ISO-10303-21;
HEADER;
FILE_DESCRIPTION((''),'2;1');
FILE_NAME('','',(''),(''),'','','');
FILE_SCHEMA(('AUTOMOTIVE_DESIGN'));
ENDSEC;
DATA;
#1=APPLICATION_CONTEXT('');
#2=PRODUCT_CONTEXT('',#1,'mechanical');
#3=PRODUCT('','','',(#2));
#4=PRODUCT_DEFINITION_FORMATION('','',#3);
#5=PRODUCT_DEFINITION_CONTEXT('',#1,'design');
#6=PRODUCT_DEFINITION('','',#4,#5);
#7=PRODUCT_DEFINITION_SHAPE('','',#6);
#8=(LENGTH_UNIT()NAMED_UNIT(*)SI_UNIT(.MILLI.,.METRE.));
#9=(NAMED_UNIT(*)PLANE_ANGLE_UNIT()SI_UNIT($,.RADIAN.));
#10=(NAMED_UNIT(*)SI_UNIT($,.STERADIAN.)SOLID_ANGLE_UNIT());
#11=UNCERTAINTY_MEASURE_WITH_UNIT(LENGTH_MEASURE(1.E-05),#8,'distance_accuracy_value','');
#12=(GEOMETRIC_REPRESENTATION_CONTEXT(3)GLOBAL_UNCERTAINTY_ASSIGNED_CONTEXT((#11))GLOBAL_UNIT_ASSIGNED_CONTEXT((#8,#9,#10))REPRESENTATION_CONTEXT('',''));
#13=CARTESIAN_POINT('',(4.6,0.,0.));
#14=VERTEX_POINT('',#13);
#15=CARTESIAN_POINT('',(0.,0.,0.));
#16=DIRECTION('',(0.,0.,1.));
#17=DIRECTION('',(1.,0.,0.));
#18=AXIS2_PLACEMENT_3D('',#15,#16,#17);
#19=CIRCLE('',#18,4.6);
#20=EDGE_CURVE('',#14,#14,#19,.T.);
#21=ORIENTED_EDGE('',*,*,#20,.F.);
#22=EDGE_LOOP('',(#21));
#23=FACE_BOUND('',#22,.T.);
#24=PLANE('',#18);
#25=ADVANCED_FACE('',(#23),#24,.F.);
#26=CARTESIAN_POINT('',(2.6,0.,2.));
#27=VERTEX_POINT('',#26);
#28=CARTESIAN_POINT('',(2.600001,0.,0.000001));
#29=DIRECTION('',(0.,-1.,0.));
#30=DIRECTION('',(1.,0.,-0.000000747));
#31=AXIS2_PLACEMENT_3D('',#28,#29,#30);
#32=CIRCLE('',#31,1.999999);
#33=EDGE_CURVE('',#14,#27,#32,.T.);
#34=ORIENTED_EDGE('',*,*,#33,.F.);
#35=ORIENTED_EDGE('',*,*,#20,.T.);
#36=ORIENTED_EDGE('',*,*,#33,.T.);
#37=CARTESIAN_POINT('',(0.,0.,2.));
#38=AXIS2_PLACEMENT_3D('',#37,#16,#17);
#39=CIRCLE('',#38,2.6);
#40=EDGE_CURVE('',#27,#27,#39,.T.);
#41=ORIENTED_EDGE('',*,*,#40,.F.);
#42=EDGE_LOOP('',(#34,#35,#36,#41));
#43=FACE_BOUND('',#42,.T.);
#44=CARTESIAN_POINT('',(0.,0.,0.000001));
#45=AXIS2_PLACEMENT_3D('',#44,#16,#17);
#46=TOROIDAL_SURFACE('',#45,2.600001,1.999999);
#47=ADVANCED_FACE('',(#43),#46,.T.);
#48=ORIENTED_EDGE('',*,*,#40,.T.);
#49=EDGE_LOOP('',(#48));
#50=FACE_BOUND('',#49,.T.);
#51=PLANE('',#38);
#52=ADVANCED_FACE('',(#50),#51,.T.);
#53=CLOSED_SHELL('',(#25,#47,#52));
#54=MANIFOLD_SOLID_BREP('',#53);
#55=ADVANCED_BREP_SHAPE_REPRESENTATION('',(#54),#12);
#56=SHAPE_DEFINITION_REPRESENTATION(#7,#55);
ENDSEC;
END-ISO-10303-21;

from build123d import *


with BuildPart() as part:
    # Sketch → Revolution (revolve)
    with BuildSketch(Plane.XZ):
        with BuildLine():
            Line((0, 0), (4.6, 0))
            ThreePointArc((4.6, 0), (4.014214, 1.414214), (2.6, 2))
            Line((2.6, 2), (0, 2))
            Line((0, 2), (0, 0))
        make_face()
    revolve(axis=Axis((0, 0, 0), (0, 0, 1)))


solid = part.part
